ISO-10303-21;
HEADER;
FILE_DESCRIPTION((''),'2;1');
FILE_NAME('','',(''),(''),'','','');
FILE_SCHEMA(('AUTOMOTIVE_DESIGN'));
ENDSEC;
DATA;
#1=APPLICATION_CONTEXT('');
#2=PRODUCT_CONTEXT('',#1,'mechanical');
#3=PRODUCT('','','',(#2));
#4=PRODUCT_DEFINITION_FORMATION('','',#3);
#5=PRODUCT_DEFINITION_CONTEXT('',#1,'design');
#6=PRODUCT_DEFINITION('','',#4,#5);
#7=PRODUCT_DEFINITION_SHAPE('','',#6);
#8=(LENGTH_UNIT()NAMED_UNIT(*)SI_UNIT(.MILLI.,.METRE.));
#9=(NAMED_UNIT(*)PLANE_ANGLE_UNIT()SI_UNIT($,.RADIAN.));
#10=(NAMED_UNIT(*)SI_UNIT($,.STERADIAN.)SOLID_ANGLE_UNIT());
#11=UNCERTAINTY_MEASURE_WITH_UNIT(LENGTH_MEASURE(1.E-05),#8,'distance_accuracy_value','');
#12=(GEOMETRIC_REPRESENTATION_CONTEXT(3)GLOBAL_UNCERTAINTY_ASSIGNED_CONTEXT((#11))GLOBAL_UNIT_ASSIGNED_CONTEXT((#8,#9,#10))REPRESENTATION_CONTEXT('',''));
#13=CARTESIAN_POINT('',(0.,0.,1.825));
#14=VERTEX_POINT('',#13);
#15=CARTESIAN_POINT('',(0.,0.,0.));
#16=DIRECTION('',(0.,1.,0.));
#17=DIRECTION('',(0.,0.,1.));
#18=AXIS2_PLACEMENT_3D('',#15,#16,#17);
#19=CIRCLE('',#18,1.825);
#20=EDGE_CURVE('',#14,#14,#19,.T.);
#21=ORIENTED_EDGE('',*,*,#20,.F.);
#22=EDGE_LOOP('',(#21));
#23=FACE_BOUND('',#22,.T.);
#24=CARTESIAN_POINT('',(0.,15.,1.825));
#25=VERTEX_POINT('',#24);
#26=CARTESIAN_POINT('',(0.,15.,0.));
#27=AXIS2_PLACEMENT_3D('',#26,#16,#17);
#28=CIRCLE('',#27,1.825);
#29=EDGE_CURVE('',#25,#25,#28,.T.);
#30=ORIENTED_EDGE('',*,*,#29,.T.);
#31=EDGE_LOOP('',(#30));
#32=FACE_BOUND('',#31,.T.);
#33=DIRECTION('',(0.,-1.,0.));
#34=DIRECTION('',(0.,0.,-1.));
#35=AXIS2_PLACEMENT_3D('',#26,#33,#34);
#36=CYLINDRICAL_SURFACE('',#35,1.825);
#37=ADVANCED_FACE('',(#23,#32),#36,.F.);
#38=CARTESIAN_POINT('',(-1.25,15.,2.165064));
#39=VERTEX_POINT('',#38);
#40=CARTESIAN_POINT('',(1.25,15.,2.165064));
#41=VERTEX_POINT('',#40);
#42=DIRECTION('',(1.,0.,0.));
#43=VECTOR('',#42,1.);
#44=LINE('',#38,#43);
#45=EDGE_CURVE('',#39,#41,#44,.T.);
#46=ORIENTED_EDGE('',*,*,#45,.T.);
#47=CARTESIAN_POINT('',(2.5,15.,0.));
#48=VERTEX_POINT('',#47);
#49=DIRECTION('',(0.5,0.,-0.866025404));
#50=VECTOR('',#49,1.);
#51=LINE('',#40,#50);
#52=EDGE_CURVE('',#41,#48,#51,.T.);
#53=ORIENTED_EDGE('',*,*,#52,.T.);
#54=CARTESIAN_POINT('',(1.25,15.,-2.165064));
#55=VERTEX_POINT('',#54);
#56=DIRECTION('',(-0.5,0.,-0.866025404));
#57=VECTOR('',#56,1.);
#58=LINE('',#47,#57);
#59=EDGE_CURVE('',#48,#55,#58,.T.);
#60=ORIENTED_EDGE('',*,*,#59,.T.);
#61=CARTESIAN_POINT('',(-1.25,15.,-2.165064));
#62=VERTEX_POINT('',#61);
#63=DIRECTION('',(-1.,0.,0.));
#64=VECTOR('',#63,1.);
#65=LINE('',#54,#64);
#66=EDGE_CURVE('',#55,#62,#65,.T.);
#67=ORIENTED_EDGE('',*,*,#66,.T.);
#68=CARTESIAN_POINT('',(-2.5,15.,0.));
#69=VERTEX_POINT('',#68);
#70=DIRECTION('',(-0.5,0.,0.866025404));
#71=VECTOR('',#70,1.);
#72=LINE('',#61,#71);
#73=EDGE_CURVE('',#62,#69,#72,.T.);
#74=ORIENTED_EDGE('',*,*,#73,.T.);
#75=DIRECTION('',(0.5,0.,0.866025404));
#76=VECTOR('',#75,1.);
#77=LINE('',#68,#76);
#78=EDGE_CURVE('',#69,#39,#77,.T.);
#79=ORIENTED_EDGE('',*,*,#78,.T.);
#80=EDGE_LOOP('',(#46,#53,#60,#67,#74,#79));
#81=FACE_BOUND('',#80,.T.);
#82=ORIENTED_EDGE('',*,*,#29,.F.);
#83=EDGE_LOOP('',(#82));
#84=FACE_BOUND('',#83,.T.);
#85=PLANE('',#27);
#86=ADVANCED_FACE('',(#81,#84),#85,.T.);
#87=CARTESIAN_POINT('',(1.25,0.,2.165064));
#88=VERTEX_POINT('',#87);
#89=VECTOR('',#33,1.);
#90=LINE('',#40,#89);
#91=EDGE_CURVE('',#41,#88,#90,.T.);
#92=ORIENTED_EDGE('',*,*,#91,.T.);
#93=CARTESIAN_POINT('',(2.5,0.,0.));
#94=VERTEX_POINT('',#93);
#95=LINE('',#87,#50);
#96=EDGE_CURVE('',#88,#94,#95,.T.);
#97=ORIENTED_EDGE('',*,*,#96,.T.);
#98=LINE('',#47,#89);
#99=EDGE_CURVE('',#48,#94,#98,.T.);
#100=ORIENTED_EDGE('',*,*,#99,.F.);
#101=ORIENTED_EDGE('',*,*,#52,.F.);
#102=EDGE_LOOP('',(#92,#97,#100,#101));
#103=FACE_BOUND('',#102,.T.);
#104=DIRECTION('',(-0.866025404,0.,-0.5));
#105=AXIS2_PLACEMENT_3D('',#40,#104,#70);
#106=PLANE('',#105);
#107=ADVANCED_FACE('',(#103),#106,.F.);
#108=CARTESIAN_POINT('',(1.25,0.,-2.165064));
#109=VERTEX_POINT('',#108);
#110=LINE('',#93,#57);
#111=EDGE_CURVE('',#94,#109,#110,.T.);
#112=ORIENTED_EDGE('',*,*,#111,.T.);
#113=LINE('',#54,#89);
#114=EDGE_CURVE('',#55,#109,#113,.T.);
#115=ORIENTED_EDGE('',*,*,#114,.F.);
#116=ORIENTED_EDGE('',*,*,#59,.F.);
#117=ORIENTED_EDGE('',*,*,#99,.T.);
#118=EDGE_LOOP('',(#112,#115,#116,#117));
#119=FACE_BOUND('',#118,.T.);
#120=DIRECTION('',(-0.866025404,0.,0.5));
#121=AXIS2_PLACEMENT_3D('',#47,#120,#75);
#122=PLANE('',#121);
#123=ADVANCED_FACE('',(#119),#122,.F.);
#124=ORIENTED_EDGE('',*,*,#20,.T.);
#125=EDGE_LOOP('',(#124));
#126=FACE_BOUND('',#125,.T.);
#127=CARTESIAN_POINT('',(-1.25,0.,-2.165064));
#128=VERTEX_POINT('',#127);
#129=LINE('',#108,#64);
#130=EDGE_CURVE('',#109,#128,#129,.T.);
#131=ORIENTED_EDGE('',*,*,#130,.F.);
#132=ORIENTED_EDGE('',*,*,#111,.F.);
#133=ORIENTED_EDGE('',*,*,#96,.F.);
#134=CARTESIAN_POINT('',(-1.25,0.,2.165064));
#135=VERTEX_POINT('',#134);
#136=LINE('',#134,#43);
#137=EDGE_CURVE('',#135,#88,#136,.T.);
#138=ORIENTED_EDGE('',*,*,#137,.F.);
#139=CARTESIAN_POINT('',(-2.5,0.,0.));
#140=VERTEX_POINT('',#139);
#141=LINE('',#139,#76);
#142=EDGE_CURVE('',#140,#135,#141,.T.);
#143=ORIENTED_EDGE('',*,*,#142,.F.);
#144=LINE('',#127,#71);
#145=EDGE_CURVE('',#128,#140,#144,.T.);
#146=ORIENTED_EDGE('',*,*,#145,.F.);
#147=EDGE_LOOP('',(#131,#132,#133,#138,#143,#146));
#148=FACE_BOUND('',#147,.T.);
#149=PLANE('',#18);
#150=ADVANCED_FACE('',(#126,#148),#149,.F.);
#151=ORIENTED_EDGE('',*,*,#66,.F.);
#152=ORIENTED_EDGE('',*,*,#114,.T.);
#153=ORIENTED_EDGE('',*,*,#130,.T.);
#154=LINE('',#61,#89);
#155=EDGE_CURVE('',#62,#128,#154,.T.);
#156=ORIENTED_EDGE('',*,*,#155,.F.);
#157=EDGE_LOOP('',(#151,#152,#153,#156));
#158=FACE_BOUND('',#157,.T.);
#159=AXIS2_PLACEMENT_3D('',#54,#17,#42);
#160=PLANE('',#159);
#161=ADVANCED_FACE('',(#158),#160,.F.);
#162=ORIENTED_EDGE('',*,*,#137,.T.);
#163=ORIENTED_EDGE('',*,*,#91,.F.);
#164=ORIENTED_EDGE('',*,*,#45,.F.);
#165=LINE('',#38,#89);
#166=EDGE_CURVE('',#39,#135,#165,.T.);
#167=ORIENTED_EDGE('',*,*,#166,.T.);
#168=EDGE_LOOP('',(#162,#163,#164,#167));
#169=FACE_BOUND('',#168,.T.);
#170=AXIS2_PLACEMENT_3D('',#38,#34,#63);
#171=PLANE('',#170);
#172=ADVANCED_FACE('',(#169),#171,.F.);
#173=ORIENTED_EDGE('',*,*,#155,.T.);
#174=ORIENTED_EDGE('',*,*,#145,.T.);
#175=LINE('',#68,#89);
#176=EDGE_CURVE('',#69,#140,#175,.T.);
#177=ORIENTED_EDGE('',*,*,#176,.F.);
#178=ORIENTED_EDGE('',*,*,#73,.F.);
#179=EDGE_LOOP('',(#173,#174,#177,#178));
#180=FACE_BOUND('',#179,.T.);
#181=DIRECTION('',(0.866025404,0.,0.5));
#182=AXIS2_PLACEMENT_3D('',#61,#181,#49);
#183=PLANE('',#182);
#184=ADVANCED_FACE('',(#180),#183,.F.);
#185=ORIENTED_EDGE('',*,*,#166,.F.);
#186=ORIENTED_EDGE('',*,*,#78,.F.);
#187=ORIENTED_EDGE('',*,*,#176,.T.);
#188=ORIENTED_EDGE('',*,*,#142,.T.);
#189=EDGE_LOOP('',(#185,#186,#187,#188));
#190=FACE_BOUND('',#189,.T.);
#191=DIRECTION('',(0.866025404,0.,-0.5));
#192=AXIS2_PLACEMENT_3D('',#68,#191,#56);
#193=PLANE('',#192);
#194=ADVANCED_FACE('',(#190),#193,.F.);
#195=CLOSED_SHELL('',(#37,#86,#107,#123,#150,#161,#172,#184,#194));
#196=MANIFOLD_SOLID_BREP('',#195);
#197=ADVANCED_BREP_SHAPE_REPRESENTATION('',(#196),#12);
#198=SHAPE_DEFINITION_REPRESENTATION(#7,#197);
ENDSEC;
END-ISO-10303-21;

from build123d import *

# Parameters (mm, degrees)
CROQUIS1_R              = 1.825
SALIENTE_EXTRUIR1_DEPTH = 15


with BuildPart() as part:
    # Croquis1 → Saliente-Extruir1 (new body)
    with BuildSketch(Plane(origin=(0, 0, 0), x_dir=(1, 0, 0), z_dir=(0, 1, 0))):
        Polygon((2.5, 0), (1.25, 2.165063509), (-1.25, 2.165063509), (-2.5, 0), (-1.25, -2.165063509), (1.25, -2.165063509), align=None)
        with Locations(Location((0, 0, 0), (0, 0, 270))):
            Circle(CROQUIS1_R, mode=Mode.SUBTRACT)
    extrude(amount=SALIENTE_EXTRUIR1_DEPTH)


solid = part.part
